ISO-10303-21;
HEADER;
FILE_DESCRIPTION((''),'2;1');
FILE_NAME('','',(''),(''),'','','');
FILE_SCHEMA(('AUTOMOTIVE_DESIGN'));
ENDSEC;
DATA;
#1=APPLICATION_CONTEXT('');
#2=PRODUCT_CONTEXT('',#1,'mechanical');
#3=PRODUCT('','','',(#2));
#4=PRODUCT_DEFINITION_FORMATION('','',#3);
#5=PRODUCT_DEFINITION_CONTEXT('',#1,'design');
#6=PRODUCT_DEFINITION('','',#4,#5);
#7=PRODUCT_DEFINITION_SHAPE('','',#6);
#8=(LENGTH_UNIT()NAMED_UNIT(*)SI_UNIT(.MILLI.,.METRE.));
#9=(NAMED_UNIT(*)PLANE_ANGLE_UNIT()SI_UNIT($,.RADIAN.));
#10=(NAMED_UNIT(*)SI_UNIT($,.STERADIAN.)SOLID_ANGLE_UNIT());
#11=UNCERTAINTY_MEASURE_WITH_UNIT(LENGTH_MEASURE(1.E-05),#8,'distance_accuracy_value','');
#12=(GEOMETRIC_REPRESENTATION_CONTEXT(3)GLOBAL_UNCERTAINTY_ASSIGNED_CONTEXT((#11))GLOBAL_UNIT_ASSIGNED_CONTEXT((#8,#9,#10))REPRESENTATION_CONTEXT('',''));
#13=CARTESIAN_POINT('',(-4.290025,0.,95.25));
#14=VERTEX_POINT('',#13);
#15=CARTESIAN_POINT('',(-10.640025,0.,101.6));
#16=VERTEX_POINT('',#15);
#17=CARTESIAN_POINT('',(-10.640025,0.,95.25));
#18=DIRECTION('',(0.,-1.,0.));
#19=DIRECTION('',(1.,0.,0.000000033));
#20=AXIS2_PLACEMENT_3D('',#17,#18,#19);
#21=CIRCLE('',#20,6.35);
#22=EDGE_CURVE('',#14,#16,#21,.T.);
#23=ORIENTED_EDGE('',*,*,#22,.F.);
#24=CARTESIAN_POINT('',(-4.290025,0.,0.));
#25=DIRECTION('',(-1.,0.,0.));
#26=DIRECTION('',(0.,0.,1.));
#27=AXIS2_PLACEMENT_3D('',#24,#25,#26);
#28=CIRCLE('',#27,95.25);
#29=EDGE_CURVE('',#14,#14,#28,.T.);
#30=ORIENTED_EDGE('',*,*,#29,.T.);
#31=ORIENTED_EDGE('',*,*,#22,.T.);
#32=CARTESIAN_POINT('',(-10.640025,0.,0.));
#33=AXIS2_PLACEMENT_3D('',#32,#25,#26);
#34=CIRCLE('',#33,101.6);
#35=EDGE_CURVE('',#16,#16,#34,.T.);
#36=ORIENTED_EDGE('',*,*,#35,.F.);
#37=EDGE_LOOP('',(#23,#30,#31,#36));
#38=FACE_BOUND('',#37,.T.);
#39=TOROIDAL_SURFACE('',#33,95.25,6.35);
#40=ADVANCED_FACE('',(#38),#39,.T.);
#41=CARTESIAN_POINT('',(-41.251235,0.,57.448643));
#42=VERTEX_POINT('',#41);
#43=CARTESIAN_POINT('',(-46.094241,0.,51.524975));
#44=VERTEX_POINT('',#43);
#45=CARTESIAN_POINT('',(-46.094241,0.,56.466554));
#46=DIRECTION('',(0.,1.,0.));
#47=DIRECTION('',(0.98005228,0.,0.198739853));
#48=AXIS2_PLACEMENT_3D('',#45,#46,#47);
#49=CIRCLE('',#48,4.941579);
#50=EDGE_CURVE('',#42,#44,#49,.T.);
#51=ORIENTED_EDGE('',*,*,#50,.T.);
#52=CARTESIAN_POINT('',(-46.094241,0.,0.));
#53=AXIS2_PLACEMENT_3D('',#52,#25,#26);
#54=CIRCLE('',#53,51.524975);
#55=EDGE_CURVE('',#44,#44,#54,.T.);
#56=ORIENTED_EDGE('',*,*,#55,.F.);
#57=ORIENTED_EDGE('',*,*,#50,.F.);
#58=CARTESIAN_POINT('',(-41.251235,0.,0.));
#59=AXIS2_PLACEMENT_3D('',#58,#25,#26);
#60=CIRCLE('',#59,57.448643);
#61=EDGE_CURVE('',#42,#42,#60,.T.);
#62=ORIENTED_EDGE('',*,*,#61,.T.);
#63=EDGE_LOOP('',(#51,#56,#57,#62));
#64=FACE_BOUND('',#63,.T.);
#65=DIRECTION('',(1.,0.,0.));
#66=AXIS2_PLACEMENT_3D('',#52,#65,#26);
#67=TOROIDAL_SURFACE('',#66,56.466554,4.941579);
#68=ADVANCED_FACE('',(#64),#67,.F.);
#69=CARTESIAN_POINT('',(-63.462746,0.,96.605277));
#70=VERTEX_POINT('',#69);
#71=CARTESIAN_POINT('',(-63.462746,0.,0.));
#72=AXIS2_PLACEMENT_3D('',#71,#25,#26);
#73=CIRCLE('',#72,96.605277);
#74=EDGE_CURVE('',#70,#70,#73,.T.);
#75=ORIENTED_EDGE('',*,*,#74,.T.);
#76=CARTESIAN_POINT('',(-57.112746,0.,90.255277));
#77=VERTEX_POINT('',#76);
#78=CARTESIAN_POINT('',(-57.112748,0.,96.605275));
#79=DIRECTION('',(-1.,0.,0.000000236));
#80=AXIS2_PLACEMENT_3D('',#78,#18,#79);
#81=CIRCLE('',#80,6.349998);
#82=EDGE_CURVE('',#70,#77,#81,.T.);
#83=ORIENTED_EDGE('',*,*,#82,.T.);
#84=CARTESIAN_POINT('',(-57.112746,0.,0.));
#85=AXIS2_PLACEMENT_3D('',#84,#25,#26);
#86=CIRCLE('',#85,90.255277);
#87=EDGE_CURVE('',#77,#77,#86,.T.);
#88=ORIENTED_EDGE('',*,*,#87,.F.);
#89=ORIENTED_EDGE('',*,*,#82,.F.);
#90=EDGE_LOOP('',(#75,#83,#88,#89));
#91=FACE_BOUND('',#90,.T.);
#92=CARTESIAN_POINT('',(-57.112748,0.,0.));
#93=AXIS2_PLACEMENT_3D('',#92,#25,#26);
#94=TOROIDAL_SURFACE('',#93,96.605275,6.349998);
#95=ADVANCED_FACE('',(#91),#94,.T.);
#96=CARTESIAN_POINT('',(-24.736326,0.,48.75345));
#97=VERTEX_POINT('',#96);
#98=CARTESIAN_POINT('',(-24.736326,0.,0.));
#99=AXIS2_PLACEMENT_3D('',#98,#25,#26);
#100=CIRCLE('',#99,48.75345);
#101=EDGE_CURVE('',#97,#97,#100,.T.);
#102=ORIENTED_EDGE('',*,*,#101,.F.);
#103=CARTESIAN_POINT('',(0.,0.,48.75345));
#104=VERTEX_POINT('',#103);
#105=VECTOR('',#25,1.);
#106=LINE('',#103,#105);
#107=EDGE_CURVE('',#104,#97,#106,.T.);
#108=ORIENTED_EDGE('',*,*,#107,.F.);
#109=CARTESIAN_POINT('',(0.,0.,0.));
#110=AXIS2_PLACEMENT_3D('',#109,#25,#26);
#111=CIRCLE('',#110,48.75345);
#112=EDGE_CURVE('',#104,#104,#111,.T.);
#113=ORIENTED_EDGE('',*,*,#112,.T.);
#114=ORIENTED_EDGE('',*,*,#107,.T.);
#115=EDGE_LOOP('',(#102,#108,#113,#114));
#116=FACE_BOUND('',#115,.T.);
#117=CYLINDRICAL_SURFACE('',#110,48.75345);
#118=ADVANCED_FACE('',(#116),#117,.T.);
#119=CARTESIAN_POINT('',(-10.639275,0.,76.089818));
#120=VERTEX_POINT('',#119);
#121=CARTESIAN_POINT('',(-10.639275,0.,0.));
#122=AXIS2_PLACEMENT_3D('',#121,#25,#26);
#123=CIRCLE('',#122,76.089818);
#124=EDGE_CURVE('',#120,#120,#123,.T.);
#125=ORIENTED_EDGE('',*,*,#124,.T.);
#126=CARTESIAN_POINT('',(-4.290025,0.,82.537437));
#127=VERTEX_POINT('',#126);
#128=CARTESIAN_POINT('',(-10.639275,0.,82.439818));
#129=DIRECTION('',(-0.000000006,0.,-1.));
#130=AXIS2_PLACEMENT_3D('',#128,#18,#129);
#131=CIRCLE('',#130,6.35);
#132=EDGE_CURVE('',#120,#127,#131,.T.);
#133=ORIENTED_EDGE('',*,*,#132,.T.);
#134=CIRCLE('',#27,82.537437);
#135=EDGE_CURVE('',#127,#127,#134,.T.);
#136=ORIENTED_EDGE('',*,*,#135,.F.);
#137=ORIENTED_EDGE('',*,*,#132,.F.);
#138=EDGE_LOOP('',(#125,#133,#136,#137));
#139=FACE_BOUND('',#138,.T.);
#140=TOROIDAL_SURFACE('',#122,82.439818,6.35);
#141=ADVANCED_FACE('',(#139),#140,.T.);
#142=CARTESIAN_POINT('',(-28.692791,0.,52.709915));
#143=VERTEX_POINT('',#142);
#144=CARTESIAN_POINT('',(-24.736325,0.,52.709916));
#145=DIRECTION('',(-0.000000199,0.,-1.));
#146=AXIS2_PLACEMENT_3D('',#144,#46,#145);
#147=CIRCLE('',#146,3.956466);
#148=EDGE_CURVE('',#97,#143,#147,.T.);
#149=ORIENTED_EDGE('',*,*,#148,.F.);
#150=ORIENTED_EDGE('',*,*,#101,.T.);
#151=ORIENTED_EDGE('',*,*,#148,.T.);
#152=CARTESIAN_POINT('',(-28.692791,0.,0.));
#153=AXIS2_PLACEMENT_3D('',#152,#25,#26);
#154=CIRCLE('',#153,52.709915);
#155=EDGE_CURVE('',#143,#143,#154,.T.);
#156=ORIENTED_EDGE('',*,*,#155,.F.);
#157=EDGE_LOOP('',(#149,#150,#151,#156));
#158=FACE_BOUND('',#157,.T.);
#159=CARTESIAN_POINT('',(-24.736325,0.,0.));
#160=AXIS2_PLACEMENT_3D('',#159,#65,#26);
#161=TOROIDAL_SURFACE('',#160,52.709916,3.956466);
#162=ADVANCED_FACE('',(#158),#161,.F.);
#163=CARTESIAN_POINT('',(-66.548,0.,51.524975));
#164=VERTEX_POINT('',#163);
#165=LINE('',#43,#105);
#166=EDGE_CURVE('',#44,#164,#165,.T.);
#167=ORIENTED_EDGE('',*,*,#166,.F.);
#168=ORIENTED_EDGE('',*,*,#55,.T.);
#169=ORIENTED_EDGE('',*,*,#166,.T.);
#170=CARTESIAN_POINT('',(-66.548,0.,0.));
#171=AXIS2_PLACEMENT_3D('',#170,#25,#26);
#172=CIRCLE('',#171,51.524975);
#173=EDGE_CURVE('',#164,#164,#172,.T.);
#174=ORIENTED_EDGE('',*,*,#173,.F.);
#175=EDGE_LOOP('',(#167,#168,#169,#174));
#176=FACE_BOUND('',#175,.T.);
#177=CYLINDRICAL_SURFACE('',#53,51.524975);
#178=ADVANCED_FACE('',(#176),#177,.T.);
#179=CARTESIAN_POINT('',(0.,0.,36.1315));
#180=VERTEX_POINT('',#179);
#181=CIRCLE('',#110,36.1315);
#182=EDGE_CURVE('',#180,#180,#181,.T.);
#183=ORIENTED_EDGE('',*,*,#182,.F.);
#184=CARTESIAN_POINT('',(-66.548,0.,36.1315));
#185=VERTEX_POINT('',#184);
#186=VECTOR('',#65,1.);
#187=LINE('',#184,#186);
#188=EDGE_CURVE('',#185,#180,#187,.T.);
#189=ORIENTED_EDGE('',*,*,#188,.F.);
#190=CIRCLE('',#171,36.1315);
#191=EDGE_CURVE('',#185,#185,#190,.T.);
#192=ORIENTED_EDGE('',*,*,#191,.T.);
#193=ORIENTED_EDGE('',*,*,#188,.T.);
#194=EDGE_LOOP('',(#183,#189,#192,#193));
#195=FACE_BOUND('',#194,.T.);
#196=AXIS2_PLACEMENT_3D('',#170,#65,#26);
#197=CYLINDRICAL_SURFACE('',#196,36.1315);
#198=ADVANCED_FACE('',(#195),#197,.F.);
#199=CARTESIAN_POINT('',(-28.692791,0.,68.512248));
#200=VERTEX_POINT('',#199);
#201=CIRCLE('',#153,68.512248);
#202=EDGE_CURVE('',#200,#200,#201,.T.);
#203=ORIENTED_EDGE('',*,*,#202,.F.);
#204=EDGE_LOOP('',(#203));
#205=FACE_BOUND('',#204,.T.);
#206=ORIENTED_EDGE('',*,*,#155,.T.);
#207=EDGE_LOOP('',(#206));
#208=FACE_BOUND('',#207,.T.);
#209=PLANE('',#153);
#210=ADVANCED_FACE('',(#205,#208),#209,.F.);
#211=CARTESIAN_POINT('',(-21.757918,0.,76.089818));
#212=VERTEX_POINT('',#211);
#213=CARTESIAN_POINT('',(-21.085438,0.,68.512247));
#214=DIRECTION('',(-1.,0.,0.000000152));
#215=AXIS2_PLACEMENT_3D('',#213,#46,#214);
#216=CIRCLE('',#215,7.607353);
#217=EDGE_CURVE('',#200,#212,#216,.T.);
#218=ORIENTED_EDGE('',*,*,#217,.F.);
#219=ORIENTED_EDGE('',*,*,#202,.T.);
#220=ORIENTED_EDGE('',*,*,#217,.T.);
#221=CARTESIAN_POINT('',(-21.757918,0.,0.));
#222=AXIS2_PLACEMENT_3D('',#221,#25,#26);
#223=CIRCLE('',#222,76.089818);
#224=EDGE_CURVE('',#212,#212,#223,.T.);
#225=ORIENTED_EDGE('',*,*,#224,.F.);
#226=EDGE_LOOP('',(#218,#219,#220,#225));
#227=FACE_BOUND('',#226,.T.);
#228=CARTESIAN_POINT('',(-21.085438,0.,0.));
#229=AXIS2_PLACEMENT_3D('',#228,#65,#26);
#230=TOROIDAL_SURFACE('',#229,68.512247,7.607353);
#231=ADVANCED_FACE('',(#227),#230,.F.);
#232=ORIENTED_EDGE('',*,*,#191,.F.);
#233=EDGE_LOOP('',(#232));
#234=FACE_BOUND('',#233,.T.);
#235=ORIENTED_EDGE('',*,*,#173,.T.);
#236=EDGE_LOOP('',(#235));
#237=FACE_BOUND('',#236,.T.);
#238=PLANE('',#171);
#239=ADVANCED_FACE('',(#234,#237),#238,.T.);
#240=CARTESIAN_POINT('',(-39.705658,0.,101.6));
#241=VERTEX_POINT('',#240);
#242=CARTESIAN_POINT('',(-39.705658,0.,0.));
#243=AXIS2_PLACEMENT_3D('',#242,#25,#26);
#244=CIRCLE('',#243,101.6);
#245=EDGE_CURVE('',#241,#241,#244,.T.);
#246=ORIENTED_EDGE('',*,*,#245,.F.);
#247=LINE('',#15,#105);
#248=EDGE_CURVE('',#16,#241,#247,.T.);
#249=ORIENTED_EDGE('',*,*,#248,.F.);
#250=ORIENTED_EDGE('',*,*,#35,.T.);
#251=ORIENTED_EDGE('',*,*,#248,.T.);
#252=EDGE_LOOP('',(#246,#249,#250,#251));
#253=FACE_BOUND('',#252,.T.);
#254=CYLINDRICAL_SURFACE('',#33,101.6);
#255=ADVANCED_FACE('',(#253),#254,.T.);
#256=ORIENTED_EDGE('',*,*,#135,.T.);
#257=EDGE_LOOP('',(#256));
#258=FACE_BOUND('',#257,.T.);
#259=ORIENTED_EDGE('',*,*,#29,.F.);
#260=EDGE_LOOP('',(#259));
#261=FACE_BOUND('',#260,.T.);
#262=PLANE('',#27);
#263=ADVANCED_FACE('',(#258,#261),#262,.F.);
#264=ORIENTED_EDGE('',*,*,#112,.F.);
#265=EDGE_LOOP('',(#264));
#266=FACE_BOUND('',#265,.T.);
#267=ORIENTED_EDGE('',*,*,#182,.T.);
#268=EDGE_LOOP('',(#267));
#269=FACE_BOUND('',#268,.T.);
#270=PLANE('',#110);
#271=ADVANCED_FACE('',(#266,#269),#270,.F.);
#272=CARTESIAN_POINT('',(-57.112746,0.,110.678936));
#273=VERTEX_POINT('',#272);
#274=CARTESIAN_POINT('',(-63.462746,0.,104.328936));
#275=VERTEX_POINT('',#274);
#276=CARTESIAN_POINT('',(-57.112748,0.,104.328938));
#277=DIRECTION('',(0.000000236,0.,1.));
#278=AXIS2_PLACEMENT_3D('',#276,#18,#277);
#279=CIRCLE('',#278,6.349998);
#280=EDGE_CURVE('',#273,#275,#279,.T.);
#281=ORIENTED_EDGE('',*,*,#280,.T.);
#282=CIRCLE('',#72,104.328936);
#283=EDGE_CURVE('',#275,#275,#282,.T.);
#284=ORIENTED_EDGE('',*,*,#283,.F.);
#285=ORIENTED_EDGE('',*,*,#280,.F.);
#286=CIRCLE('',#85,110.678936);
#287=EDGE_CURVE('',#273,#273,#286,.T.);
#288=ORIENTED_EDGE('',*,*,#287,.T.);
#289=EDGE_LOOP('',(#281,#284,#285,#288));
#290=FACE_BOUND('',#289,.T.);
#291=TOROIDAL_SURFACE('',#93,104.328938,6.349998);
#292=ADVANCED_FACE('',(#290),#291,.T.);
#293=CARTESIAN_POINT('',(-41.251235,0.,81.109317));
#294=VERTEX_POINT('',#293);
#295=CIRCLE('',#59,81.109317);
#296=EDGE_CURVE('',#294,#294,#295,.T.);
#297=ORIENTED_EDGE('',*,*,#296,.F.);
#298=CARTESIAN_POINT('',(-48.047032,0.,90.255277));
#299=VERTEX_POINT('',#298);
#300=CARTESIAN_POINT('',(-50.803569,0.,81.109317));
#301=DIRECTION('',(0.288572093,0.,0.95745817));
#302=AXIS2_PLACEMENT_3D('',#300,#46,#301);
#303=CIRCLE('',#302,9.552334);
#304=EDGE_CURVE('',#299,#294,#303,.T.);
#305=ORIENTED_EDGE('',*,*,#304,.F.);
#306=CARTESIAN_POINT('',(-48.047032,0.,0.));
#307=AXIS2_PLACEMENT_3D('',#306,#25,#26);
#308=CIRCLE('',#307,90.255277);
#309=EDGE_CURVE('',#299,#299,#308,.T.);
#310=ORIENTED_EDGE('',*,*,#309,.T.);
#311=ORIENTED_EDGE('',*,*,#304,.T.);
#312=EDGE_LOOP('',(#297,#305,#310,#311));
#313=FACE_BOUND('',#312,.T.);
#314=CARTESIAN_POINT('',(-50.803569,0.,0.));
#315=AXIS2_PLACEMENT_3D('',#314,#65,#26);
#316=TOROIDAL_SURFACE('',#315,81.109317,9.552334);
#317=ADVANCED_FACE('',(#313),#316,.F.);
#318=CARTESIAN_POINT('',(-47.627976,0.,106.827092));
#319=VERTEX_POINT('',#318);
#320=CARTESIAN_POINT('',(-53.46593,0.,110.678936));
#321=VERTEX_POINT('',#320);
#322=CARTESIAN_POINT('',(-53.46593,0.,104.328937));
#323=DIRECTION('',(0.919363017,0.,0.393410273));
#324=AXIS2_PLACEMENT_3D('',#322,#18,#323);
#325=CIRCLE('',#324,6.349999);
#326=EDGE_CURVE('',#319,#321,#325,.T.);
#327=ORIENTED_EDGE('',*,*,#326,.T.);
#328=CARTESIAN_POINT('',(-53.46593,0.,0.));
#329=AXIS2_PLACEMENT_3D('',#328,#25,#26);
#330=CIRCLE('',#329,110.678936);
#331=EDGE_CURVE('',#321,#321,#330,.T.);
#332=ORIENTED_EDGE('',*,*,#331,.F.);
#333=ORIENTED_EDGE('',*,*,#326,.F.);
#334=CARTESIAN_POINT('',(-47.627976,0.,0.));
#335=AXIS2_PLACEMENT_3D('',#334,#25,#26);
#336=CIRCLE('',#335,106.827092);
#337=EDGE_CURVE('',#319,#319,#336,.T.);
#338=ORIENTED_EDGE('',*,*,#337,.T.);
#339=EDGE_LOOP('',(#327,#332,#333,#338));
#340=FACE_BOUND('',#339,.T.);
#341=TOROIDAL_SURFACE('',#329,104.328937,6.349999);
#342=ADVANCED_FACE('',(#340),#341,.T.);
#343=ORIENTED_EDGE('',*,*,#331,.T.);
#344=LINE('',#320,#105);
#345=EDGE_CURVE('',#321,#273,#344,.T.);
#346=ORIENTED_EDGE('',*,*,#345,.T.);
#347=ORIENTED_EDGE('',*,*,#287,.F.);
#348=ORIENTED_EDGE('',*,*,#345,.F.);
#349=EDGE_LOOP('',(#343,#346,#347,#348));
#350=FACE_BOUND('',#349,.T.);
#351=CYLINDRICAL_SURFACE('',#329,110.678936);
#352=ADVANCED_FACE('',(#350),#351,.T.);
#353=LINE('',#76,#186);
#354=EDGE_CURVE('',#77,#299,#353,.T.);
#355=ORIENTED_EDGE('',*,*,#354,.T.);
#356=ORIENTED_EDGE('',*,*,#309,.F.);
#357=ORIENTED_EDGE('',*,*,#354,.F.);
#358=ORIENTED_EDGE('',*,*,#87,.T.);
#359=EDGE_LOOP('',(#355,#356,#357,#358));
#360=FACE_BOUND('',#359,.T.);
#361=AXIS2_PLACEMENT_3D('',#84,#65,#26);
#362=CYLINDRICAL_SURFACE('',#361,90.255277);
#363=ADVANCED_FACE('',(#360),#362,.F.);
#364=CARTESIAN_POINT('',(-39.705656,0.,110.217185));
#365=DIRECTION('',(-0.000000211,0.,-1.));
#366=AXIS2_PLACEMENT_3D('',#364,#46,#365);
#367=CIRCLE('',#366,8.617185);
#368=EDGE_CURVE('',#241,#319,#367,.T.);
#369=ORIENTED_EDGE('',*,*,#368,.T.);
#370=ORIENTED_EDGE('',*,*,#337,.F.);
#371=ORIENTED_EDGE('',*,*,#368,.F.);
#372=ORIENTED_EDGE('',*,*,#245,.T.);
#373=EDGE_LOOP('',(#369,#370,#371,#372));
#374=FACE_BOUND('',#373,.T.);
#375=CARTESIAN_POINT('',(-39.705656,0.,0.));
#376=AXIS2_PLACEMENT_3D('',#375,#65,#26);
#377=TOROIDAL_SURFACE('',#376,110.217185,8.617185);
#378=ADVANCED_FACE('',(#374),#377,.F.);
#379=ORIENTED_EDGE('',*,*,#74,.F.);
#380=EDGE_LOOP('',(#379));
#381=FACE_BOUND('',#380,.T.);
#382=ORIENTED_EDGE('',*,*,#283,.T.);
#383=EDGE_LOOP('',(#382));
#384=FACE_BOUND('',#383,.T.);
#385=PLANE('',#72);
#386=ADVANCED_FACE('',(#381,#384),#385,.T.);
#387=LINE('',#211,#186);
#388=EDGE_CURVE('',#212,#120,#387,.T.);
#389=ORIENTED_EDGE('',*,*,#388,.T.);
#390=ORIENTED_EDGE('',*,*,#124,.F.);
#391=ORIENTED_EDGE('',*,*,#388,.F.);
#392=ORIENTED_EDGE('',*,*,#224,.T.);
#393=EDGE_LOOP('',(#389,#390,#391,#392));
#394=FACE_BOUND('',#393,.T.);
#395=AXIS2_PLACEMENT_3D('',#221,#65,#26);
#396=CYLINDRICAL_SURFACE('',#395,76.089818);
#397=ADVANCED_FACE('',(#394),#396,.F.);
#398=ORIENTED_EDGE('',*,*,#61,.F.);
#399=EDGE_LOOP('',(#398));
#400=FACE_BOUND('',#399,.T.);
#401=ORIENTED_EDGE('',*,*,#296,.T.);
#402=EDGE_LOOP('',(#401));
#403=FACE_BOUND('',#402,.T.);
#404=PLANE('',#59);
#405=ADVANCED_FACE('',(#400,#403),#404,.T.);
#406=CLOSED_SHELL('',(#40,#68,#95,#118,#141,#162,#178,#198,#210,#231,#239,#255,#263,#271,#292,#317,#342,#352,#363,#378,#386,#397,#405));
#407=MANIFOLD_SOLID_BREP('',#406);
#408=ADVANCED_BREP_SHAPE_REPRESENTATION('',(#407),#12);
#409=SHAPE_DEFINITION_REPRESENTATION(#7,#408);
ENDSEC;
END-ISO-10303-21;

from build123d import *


with BuildPart() as f1:
    # F0 (on Front) → F1 (revolve)
    with BuildSketch(Plane.XZ):
        with BuildLine():
            ThreePointArc((-48.047032, 90.255277), (-43.136156, 86.806497), (-41.251235, 81.109317))
            Line((-41.251235, 81.109317), (-41.251235, 57.448643))
            ThreePointArc((-41.251235, 57.448643), (-42.268521, 53.338764), (-46.094241, 51.524975))
            Line((-46.094241, 51.524975), (-66.548, 51.524975))
            Line((-66.548, 51.524975), (-66.548, 36.1315))
            Line((-66.548, 36.1315), (0, 36.1315))
            Line((0, 36.1315), (0, 48.75345))
            Line((0, 48.75345), (-24.736326, 48.75345))
            ThreePointArc((-24.736326, 48.75345), (-27.533969, 49.912272), (-28.692791, 52.709915))
            Line((-28.692791, 52.709915), (-28.692791, 68.512248))
            ThreePointArc((-28.692791, 68.512248), (-26.697372, 73.6482), (-21.757918, 76.089818))
            Line((-21.757918, 76.089818), (-10.639275, 76.089818))
            ThreePointArc((-10.639275, 76.089818), (-6.114765, 77.984337), (-4.290025, 82.537437))
            Line((-4.290025, 82.537437), (-4.290025, 95.25))
            ThreePointArc((-4.290025, 95.25), (-6.149897, 99.740128), (-10.640025, 101.6))
            Line((-10.640025, 101.6), (-39.705658, 101.6))
            ThreePointArc((-39.705658, 101.6), (-44.45133, 103.024518), (-47.627976, 106.827092))
            ThreePointArc((-47.627976, 106.827092), (-49.968845, 109.629209), (-53.46593, 110.678936))
            Line((-53.46593, 110.678936), (-57.112746, 110.678936))
            ThreePointArc((-57.112746, 110.678936), (-61.602875, 108.819064), (-63.462746, 104.328936))
            Line((-63.462746, 104.328936), (-63.462746, 96.605277))
            ThreePointArc((-63.462746, 96.605277), (-61.602875, 92.115149), (-57.112746, 90.255277))
            Line((-57.112746, 90.255277), (-48.047032, 90.255277))
        make_face()
    revolve(axis=Axis((-28.75904, 0, 0), (-1, 0, 0)))


solid = f1.part
